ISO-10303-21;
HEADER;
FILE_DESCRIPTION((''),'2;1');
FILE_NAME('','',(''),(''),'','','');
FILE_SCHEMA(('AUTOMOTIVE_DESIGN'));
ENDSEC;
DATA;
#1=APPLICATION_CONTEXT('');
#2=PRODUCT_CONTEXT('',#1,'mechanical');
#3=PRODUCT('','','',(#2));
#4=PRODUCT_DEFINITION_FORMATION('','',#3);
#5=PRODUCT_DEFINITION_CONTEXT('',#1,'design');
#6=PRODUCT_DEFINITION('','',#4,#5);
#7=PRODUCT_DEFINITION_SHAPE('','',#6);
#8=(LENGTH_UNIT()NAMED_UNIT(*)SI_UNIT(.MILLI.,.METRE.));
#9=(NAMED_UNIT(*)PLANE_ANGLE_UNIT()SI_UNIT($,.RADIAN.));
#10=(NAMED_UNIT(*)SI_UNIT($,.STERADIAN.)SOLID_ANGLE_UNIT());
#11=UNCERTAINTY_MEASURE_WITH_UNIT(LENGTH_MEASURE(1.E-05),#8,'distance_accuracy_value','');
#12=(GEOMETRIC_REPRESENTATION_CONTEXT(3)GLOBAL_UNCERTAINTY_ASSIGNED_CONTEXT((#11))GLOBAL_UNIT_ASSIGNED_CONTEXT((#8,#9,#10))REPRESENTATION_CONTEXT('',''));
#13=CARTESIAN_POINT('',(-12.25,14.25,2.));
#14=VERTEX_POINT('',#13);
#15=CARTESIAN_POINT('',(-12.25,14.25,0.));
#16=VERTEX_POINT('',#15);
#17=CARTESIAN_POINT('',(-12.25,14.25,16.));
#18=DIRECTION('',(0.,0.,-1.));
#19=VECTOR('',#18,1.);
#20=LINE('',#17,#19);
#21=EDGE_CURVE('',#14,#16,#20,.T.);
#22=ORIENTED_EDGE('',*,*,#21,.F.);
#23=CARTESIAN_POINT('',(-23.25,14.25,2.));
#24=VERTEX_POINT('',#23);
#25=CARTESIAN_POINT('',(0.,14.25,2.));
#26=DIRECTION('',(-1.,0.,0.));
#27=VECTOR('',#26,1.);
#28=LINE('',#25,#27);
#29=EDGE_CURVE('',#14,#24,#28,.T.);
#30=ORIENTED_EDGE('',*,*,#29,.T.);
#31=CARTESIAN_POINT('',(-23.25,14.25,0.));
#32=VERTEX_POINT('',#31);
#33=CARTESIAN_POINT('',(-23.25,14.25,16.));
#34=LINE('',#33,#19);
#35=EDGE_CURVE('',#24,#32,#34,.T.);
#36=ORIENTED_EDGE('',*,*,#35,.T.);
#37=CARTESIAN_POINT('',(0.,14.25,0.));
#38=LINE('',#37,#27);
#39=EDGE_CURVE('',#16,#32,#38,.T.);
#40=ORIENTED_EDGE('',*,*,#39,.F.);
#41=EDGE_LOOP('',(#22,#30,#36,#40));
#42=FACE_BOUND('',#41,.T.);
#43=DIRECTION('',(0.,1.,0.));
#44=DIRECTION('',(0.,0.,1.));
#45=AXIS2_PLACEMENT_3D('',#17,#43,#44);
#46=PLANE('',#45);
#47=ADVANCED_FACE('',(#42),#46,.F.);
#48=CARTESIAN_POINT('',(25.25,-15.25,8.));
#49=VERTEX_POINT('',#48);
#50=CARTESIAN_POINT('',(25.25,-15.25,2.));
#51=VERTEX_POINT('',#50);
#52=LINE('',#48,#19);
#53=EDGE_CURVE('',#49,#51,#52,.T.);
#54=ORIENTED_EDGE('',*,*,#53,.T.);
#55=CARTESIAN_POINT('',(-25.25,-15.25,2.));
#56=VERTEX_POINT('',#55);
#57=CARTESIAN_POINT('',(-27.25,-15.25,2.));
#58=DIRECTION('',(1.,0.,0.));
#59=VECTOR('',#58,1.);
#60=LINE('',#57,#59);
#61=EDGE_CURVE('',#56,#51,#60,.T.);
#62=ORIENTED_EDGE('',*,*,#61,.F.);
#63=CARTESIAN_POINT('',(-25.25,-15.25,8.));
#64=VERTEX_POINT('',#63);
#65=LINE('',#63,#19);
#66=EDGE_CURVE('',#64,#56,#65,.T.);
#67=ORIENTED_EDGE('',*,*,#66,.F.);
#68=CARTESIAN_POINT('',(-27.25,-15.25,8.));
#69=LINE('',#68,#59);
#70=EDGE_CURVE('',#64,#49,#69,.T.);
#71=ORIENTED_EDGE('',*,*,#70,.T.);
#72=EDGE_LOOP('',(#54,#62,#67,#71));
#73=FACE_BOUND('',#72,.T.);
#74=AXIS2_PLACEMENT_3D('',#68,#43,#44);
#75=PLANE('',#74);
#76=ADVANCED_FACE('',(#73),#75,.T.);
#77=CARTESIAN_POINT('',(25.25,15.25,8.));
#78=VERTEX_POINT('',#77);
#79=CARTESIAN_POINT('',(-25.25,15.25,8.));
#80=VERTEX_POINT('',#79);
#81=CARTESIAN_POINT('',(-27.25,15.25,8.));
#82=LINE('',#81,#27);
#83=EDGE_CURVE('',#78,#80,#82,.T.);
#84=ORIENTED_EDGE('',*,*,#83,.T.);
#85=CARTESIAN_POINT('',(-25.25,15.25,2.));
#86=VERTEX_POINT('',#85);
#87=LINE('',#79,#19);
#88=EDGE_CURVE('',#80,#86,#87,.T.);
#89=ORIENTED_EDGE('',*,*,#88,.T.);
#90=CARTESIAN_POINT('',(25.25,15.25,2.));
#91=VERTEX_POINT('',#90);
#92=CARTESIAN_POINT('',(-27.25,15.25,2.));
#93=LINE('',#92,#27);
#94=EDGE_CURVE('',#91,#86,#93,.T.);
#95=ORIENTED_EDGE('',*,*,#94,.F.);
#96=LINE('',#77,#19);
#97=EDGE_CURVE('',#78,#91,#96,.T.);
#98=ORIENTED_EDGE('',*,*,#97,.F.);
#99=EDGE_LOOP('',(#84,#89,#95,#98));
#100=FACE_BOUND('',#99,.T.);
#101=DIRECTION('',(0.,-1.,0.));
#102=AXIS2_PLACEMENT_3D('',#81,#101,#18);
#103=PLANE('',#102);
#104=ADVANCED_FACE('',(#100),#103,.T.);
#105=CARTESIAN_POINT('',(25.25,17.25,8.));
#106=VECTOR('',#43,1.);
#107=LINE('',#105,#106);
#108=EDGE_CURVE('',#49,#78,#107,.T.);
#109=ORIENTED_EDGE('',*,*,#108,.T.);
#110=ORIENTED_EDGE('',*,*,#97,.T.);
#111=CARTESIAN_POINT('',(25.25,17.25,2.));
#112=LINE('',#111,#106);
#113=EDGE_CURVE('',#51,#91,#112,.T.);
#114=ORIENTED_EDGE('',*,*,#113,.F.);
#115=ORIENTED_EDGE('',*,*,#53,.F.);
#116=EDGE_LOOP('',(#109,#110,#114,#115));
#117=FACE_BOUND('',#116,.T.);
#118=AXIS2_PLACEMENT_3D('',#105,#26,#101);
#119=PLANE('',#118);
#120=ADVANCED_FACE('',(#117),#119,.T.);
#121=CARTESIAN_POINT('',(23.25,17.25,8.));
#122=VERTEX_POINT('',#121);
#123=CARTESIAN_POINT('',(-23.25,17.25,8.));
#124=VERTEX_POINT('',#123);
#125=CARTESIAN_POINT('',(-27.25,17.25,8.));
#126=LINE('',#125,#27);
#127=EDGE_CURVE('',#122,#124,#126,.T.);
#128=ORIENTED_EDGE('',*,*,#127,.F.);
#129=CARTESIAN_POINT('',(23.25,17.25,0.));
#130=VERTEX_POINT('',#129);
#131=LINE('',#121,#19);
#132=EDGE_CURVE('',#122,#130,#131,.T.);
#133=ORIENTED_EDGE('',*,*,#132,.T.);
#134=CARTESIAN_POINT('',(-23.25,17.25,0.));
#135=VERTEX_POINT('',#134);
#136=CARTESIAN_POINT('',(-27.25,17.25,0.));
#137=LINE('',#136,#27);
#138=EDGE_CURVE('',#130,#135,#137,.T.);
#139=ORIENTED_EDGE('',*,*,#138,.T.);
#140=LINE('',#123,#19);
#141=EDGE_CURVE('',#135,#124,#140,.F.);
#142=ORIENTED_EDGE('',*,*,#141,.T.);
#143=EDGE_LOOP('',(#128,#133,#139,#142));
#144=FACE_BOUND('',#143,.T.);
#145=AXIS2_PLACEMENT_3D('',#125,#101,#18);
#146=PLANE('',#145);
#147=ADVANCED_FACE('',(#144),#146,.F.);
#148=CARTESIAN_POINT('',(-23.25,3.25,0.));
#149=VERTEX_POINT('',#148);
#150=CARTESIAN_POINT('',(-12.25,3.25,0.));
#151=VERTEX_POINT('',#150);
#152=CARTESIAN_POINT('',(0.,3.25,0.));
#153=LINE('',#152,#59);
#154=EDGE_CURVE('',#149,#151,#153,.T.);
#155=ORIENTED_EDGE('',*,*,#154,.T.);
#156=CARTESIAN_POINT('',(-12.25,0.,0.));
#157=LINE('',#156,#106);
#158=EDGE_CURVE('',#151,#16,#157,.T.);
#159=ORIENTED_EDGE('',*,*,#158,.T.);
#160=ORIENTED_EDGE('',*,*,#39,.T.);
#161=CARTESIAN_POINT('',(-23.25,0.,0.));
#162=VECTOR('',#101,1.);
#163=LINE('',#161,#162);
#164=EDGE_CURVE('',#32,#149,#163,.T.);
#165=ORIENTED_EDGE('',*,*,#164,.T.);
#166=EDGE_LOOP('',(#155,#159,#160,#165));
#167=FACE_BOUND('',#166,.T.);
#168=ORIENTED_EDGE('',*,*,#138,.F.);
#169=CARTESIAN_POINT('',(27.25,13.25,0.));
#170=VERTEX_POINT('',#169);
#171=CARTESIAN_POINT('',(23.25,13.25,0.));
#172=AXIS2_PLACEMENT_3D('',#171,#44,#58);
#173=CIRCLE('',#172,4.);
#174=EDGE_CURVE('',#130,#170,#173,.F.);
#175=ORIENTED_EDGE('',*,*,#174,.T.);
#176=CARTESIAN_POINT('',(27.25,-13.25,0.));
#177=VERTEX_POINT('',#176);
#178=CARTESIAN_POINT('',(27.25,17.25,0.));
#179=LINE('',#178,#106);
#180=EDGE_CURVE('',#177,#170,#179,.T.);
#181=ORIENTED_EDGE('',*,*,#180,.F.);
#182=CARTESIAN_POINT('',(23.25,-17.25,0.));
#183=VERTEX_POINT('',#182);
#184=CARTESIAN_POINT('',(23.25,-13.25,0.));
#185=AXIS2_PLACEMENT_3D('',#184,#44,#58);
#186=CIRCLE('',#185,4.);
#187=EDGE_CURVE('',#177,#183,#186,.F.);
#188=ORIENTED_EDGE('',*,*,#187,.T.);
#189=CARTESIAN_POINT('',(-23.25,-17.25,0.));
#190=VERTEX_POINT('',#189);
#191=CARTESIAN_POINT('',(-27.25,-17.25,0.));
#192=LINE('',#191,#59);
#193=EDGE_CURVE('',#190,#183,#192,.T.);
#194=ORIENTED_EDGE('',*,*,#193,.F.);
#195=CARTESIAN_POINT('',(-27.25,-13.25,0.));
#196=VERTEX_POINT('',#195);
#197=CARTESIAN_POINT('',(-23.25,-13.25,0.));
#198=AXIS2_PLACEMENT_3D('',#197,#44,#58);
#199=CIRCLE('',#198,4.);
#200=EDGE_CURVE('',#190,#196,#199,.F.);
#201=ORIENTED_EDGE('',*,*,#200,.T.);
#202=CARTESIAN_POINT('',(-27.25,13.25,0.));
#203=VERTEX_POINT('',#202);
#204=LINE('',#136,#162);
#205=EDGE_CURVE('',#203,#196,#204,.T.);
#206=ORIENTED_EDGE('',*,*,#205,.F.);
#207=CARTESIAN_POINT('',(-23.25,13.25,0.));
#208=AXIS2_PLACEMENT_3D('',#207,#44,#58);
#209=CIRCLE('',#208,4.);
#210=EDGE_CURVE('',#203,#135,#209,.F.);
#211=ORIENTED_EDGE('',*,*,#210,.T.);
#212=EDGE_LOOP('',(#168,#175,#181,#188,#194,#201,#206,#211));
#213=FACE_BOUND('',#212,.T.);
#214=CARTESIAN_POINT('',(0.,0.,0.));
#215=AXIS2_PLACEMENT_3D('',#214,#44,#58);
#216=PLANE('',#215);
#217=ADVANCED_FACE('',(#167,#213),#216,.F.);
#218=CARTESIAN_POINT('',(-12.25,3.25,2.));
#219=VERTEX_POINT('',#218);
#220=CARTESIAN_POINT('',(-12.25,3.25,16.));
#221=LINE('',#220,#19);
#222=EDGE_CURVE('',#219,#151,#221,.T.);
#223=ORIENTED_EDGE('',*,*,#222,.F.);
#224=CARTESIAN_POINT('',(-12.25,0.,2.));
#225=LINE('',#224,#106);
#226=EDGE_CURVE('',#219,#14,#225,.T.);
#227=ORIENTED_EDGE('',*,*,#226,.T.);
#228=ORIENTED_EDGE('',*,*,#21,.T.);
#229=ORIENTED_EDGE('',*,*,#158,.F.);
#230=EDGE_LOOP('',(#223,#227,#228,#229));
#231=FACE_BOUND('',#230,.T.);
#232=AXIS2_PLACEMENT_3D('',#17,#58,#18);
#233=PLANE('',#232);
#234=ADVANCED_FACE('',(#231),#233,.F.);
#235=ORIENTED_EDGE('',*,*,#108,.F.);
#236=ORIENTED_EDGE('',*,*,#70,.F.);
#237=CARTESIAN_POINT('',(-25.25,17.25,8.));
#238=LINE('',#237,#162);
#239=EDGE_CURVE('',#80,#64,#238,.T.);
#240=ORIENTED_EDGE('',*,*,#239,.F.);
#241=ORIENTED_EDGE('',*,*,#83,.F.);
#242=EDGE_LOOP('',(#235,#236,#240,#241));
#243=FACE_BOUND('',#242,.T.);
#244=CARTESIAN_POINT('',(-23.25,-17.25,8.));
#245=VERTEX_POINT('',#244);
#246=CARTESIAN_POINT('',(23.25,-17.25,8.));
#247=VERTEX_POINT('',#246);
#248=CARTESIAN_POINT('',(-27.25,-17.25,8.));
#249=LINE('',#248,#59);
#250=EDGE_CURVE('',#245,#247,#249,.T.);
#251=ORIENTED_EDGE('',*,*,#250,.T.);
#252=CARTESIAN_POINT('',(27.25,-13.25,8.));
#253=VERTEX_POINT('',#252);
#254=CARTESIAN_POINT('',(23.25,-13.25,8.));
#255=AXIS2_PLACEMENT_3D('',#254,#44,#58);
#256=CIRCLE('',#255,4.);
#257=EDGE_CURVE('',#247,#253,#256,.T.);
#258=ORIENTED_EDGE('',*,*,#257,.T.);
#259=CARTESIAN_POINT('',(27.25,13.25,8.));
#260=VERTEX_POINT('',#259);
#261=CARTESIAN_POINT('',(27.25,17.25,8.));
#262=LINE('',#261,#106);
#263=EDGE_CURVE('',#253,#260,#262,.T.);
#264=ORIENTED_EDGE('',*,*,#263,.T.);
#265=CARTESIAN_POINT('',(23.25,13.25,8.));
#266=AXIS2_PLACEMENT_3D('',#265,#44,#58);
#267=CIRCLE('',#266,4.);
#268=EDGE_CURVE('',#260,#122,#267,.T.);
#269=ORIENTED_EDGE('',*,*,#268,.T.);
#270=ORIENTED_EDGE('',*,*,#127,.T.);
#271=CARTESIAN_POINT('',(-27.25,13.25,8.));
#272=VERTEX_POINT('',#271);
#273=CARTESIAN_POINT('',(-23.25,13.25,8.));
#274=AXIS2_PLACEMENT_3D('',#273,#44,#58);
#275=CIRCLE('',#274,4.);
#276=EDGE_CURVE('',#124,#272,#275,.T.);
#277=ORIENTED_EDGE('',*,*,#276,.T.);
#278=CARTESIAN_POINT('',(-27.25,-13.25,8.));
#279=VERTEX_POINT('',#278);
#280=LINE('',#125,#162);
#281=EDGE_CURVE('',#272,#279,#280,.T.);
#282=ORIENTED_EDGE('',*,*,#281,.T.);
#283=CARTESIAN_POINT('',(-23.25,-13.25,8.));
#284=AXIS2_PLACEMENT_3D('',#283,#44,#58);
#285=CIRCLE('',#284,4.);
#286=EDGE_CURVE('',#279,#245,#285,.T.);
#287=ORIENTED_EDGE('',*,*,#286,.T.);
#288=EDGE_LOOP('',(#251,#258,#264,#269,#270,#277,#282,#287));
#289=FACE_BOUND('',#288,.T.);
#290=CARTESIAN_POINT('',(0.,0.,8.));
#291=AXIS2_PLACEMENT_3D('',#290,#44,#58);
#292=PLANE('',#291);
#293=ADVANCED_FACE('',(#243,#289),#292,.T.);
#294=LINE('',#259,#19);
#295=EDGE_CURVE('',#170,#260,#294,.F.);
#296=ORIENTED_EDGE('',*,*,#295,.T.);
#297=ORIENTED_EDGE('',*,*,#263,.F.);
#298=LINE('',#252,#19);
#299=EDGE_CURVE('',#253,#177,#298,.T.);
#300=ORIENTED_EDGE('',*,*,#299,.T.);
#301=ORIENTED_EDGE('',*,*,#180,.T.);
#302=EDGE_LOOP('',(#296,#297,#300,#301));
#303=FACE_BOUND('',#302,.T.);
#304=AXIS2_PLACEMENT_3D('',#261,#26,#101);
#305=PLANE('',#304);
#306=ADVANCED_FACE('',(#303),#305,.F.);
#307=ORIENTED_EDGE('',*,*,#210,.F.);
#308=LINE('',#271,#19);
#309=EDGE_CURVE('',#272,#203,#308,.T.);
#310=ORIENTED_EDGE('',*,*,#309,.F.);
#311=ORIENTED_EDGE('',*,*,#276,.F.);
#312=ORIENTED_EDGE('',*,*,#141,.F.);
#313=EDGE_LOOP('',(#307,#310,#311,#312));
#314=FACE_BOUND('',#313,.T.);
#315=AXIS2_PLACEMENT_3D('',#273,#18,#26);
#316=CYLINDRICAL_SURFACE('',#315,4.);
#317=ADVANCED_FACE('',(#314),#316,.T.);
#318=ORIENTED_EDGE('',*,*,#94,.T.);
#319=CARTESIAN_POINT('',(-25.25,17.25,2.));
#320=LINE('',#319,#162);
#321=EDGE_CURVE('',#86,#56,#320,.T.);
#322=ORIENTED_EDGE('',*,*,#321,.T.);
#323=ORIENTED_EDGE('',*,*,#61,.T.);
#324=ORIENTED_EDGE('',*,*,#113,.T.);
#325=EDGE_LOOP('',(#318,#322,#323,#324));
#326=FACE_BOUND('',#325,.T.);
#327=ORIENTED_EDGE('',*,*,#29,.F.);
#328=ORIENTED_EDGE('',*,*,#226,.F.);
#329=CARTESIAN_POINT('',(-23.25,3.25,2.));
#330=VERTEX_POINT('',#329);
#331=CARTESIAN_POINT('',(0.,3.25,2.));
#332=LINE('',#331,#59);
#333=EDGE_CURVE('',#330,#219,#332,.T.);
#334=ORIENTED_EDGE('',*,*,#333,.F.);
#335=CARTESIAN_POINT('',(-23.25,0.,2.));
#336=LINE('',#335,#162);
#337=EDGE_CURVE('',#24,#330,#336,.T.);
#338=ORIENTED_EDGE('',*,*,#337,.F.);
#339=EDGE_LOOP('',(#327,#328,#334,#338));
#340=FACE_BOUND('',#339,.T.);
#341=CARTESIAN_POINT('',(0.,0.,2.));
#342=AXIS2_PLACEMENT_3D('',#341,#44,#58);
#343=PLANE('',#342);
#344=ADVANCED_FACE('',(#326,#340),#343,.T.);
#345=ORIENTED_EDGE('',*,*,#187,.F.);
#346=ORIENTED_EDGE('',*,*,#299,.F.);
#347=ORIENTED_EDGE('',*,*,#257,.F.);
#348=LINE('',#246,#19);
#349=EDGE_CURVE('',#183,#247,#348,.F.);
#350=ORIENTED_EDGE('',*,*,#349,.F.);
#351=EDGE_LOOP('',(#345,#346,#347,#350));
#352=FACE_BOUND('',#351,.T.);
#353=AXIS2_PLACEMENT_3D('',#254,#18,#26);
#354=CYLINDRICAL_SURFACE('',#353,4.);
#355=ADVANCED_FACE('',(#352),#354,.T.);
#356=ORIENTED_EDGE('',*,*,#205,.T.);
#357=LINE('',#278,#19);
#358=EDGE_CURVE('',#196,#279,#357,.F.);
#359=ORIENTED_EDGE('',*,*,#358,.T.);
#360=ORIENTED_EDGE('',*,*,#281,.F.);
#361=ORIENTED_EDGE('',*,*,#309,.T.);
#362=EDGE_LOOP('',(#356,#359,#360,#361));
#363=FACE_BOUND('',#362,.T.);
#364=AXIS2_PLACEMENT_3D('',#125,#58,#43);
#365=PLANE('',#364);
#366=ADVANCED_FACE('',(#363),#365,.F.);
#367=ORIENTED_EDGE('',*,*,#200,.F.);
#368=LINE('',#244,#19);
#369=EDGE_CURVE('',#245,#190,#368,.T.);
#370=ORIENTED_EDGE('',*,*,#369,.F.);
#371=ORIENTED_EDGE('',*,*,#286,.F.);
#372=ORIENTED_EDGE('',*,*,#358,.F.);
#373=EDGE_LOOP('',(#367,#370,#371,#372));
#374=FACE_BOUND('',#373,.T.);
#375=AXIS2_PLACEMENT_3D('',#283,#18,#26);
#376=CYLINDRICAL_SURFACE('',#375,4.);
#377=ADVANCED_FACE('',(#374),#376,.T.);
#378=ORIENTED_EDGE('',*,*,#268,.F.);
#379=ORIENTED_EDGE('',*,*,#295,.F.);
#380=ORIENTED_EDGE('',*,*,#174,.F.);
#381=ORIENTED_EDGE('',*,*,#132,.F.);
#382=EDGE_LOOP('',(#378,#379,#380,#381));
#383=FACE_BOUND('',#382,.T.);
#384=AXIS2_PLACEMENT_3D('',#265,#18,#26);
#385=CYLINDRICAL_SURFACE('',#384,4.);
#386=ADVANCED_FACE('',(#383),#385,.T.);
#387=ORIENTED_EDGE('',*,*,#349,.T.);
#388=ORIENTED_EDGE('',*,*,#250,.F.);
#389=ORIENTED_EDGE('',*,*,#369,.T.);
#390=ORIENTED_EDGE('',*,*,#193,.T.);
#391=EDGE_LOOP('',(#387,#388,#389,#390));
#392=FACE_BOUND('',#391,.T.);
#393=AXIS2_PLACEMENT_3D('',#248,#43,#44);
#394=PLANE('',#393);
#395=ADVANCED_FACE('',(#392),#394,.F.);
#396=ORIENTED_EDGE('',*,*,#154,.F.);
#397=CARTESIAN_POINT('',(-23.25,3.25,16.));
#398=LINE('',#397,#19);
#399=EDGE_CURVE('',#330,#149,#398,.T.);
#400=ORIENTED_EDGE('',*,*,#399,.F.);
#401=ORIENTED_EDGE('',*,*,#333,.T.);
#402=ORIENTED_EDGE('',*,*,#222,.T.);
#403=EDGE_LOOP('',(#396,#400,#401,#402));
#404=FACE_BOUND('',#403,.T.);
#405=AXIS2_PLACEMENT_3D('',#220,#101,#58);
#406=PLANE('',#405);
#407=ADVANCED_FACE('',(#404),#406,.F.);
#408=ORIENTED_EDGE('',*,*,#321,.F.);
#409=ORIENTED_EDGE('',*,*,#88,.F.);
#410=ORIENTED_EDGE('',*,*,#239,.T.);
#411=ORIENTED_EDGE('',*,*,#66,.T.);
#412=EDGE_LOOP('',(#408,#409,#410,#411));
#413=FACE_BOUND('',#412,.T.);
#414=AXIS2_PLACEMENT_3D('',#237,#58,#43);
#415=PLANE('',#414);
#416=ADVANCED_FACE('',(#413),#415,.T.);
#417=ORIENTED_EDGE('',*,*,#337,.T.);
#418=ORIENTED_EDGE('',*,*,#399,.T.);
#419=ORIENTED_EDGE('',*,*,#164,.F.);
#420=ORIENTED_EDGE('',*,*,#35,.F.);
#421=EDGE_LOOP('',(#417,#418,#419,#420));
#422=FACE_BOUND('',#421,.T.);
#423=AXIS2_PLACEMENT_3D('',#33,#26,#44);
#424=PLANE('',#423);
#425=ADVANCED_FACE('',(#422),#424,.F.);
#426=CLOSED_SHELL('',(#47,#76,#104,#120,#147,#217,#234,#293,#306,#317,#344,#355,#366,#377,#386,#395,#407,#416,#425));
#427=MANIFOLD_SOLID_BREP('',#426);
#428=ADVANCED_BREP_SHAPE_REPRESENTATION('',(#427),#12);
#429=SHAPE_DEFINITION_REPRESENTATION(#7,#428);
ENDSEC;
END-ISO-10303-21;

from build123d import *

# Parameters (mm, degrees)
SKETCH2_W           = 54.5
SKETCH2_H           = 34.5
BOSS_EXTRUDE1_DEPTH = 8
SHELL1_T            = -2
FILLET2_R           = 4
SKETCH3_W           = 11
SKETCH3_H           = 11
CUT_EXTRUDE1_DEPTH  = 26


with BuildPart() as part:
    # Sketch2 → Boss-Extrude1 (new body)
    with BuildSketch(Plane.XY):
        Rectangle(SKETCH2_W, SKETCH2_H)
    extrude(amount=BOSS_EXTRUDE1_DEPTH)

    # Shell1
    shell1_openings = [part.faces().sort_by_distance(p)[0] for p in [
        (0, 0, 8),
    ]]
    offset(amount=SHELL1_T, openings=shell1_openings, kind=Kind.INTERSECTION)

    # Fillet2
    fillet2_edges = [part.edges().sort_by_distance(p)[0] for p in [
        (27.25, -17.25, 4),
        (-27.25, -17.25, 4),
        (-27.25, 17.25, 4),
        (27.25, 17.25, 4),
    ]]
    fillet(fillet2_edges, radius=FILLET2_R)

    # Sketch3 → Cut-Extrude1 (cut)
    with BuildSketch(Plane(origin=(0, 0, -10), x_dir=(-1, 0, 0), z_dir=(0, 0, -1))):
        with Locations((17.75, 8.75)):
            Rectangle(SKETCH3_W, SKETCH3_H)
    extrude(amount=-CUT_EXTRUDE1_DEPTH, mode=Mode.SUBTRACT)


solid = part.part
